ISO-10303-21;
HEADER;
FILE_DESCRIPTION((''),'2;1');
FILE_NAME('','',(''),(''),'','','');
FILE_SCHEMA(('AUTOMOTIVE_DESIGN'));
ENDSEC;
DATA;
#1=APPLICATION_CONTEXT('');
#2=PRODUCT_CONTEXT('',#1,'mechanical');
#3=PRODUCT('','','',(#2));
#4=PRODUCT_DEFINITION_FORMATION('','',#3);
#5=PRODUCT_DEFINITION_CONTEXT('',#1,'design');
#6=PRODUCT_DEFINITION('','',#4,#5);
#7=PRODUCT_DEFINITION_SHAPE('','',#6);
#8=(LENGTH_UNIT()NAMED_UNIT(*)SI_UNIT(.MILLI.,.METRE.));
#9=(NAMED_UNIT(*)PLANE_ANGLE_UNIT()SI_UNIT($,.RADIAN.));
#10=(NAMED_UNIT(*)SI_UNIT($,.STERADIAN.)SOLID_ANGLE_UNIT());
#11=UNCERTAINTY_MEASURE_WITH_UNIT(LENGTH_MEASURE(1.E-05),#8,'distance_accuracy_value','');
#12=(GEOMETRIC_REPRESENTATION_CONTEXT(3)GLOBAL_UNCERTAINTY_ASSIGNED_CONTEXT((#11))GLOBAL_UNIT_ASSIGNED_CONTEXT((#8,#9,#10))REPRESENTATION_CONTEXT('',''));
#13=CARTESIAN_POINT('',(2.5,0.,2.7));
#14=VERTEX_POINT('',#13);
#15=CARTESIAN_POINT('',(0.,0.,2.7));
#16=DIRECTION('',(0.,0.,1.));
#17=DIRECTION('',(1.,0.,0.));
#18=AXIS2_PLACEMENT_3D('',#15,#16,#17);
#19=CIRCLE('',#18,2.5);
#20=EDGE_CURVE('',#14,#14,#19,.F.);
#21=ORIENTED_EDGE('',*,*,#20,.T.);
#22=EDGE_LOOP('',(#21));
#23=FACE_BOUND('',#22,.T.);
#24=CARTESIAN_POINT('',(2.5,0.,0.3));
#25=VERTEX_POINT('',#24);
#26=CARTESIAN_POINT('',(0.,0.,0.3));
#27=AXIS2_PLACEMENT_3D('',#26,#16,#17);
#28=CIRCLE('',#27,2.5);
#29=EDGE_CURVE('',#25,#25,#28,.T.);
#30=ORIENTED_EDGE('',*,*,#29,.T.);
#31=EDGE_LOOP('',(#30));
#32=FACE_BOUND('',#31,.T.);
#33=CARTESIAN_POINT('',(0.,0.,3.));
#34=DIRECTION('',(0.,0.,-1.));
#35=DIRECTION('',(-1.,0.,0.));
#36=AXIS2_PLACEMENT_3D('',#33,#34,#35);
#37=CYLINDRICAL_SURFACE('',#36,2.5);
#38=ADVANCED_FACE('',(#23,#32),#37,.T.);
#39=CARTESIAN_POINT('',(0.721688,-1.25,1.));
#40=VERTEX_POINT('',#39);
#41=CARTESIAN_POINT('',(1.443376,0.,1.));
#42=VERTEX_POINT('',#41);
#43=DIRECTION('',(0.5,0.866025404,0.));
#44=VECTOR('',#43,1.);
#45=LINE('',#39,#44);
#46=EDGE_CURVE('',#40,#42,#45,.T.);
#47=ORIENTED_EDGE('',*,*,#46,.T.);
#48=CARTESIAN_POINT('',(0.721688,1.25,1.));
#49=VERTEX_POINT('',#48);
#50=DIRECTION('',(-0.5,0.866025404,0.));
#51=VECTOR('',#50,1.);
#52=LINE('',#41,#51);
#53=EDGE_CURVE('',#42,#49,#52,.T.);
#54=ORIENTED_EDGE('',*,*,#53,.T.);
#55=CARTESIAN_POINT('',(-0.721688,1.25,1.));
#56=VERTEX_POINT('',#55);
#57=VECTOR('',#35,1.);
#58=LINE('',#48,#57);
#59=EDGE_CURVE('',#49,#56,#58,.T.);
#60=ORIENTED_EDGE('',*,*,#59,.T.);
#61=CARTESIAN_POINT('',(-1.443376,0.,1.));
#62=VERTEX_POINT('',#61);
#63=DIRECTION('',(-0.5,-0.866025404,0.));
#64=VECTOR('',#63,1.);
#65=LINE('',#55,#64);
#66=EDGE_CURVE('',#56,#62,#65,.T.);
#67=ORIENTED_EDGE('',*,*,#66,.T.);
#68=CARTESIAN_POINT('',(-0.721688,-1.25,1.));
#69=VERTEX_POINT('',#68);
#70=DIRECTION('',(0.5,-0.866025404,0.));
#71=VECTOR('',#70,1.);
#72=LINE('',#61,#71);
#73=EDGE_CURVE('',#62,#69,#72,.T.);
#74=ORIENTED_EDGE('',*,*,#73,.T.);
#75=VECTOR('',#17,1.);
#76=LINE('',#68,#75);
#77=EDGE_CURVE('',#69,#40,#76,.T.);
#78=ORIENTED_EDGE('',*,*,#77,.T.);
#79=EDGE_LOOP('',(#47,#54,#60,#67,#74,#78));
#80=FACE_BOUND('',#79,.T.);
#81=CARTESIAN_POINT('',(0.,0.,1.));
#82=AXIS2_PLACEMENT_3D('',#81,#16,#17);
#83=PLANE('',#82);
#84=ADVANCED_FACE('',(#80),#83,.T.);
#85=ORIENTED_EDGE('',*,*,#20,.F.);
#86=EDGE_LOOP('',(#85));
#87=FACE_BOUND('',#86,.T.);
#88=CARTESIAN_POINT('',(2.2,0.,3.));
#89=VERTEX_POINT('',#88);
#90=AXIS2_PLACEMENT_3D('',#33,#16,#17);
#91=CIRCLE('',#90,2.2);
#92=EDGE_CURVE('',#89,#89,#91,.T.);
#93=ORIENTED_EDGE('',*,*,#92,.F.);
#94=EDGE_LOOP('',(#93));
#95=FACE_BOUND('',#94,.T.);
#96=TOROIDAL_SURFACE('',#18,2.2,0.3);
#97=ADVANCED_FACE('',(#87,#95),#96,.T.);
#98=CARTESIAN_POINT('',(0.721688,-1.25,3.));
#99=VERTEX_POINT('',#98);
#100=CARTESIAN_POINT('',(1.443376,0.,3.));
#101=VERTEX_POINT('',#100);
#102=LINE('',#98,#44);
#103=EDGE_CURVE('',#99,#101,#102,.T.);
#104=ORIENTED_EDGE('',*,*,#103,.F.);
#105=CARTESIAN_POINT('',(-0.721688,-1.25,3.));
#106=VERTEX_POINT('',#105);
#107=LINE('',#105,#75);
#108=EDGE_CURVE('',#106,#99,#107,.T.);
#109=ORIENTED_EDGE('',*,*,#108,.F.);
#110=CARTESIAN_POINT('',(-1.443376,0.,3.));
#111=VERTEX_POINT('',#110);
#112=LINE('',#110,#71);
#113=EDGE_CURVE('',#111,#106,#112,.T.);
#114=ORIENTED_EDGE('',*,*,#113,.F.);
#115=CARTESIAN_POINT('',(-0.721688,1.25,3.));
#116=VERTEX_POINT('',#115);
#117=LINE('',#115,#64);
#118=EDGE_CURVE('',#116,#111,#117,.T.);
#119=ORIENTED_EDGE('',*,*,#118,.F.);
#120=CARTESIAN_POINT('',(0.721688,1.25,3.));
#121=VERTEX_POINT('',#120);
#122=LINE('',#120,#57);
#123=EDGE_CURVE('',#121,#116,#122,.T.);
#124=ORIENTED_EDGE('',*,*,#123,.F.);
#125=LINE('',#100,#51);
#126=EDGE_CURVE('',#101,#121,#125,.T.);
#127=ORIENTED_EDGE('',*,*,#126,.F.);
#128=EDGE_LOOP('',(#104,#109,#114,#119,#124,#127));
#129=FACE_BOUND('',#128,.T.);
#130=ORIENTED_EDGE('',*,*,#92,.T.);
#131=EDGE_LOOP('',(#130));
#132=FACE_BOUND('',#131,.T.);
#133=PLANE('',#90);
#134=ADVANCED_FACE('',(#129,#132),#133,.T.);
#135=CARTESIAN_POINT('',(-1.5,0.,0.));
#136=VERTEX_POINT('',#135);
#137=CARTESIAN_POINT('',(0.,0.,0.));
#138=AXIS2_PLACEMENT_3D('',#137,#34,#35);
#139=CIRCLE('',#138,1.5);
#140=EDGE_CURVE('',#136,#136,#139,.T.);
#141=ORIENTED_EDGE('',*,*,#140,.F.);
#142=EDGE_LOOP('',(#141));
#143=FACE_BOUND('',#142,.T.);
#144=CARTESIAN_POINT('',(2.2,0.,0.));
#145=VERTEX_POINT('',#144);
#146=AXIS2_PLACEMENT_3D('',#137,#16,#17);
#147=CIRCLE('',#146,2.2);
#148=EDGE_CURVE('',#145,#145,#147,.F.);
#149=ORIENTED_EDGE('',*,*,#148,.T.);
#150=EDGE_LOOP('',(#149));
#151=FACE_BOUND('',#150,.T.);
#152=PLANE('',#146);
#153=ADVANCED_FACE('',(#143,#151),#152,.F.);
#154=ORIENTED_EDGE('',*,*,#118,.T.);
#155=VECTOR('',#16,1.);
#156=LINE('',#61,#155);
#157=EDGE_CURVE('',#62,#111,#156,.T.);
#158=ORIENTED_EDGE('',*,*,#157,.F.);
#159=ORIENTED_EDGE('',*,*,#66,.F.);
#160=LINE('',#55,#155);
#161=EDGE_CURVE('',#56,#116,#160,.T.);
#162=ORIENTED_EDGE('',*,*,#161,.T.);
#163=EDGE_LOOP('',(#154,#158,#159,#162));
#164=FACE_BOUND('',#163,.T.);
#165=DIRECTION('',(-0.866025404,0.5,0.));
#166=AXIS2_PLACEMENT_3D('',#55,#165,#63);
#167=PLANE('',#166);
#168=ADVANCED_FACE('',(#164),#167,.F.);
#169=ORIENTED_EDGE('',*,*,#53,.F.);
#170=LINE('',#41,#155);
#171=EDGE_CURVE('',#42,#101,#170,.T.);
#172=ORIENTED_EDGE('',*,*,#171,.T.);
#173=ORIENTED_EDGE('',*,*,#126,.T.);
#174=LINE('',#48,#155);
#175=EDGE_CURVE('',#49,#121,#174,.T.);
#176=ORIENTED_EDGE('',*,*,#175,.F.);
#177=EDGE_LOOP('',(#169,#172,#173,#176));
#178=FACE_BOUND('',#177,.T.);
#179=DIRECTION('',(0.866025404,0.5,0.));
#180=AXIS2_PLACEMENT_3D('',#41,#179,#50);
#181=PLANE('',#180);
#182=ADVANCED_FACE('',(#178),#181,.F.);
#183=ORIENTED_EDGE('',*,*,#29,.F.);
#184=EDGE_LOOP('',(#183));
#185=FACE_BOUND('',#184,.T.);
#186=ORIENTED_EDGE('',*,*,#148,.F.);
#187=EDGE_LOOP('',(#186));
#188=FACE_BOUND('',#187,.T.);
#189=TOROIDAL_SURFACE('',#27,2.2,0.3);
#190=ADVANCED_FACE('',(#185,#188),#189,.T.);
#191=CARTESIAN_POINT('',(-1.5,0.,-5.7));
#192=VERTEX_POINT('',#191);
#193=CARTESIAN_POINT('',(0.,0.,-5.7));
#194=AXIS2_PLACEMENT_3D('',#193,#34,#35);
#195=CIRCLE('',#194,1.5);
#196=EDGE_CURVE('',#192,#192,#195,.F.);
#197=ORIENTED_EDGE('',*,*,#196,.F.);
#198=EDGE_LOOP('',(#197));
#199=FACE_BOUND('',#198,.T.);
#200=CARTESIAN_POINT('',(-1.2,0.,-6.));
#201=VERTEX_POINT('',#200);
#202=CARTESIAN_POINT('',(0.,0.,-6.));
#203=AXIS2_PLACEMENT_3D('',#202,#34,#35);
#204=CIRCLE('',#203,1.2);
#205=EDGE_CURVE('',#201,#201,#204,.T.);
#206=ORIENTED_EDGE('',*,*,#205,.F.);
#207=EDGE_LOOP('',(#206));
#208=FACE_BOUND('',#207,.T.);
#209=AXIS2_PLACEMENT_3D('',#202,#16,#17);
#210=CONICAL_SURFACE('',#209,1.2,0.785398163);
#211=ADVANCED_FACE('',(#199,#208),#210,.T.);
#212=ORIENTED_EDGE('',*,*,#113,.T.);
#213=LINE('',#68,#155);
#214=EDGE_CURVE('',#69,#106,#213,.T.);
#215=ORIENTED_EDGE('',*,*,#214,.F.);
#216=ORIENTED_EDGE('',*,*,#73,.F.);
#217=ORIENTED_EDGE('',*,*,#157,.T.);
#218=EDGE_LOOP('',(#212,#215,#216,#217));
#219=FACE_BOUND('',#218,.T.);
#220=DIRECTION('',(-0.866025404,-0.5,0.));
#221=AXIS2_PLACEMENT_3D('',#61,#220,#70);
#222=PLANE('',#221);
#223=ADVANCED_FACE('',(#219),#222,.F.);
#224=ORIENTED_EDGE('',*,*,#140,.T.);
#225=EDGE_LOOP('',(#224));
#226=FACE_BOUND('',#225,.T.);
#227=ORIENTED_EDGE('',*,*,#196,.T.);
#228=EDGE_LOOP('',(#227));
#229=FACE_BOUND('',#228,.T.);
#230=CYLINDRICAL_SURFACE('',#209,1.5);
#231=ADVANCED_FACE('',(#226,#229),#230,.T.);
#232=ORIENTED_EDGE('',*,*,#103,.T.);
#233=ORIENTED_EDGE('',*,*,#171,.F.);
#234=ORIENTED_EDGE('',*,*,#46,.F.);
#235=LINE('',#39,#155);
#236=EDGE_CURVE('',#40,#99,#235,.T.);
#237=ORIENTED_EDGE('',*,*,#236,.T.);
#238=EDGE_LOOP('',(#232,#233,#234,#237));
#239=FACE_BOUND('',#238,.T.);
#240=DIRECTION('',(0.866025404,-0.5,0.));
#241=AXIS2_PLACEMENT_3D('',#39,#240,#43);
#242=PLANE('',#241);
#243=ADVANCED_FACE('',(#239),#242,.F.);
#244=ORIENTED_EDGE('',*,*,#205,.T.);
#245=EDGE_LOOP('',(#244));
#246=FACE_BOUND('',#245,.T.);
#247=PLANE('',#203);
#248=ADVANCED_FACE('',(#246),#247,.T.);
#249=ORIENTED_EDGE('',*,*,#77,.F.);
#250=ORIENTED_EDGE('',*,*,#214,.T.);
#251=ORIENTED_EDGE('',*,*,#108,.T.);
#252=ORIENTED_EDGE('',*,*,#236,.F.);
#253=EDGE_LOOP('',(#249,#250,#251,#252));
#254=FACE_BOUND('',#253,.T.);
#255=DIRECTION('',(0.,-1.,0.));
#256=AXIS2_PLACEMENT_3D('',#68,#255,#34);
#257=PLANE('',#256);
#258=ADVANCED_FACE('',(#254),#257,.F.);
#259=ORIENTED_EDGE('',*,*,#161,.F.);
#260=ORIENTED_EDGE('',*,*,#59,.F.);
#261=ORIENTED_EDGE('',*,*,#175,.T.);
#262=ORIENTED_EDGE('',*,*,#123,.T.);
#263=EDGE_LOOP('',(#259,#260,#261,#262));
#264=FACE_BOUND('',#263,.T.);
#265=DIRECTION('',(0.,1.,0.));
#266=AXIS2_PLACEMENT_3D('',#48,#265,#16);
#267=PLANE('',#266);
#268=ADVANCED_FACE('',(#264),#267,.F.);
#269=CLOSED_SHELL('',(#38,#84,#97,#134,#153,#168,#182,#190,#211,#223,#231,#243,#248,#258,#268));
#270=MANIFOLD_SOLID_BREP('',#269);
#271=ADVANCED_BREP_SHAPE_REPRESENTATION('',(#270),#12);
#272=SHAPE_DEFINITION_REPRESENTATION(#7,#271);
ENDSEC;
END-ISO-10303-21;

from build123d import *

# Parameters (mm, degrees)
SKETCH_1_R          = 2.5
EXTRUDE_1_DEPTH     = 3
SKETCH_2_R          = 1.5
EXTRUDE_2_DEPTH     = 6
CUT_EXTRUDE_1_DEPTH = 2
CHAMFER_1_SIZE      = 0.3
FILLET_1_R          = 0.3


with BuildPart() as part:
    # 草图1 → 凸台-拉伸1 (new body)
    with BuildSketch(Plane.XY):
        Circle(SKETCH_1_R)
    extrude(amount=EXTRUDE_1_DEPTH)

    # 草图2 → 凸台-拉伸2 (add)
    with BuildSketch(Plane(origin=(0, 0, 0), x_dir=(-1, 0, 0), z_dir=(0, 0, -1))):
        Circle(SKETCH_2_R)
    extrude(amount=EXTRUDE_2_DEPTH)

    # 草图3 → 切除-拉伸1 (cut)
    with BuildSketch(Plane.XY.offset(3)):
        Polygon((1.443375673, 0), (0.721687836, 1.25), (-0.721687836, 1.25), (-1.443375673, 0), (-0.721687836, -1.25), (0.721687836, -1.25), align=None)
    extrude(amount=-CUT_EXTRUDE_1_DEPTH, mode=Mode.SUBTRACT)

    # 倒角1
    chamfer_1_edges = [part.edges().sort_by_distance(p)[0] for p in [
        (1.5, 0, -6),
    ]]
    chamfer(chamfer_1_edges, length=CHAMFER_1_SIZE)

    # 圆角1
    fillet_1_edges = [part.edges().sort_by_distance(p)[0] for p in [
        (-2.5, 0, 0),
        (-2.5, 0, 3),
    ]]
    fillet(fillet_1_edges, radius=FILLET_1_R)


solid = part.part
